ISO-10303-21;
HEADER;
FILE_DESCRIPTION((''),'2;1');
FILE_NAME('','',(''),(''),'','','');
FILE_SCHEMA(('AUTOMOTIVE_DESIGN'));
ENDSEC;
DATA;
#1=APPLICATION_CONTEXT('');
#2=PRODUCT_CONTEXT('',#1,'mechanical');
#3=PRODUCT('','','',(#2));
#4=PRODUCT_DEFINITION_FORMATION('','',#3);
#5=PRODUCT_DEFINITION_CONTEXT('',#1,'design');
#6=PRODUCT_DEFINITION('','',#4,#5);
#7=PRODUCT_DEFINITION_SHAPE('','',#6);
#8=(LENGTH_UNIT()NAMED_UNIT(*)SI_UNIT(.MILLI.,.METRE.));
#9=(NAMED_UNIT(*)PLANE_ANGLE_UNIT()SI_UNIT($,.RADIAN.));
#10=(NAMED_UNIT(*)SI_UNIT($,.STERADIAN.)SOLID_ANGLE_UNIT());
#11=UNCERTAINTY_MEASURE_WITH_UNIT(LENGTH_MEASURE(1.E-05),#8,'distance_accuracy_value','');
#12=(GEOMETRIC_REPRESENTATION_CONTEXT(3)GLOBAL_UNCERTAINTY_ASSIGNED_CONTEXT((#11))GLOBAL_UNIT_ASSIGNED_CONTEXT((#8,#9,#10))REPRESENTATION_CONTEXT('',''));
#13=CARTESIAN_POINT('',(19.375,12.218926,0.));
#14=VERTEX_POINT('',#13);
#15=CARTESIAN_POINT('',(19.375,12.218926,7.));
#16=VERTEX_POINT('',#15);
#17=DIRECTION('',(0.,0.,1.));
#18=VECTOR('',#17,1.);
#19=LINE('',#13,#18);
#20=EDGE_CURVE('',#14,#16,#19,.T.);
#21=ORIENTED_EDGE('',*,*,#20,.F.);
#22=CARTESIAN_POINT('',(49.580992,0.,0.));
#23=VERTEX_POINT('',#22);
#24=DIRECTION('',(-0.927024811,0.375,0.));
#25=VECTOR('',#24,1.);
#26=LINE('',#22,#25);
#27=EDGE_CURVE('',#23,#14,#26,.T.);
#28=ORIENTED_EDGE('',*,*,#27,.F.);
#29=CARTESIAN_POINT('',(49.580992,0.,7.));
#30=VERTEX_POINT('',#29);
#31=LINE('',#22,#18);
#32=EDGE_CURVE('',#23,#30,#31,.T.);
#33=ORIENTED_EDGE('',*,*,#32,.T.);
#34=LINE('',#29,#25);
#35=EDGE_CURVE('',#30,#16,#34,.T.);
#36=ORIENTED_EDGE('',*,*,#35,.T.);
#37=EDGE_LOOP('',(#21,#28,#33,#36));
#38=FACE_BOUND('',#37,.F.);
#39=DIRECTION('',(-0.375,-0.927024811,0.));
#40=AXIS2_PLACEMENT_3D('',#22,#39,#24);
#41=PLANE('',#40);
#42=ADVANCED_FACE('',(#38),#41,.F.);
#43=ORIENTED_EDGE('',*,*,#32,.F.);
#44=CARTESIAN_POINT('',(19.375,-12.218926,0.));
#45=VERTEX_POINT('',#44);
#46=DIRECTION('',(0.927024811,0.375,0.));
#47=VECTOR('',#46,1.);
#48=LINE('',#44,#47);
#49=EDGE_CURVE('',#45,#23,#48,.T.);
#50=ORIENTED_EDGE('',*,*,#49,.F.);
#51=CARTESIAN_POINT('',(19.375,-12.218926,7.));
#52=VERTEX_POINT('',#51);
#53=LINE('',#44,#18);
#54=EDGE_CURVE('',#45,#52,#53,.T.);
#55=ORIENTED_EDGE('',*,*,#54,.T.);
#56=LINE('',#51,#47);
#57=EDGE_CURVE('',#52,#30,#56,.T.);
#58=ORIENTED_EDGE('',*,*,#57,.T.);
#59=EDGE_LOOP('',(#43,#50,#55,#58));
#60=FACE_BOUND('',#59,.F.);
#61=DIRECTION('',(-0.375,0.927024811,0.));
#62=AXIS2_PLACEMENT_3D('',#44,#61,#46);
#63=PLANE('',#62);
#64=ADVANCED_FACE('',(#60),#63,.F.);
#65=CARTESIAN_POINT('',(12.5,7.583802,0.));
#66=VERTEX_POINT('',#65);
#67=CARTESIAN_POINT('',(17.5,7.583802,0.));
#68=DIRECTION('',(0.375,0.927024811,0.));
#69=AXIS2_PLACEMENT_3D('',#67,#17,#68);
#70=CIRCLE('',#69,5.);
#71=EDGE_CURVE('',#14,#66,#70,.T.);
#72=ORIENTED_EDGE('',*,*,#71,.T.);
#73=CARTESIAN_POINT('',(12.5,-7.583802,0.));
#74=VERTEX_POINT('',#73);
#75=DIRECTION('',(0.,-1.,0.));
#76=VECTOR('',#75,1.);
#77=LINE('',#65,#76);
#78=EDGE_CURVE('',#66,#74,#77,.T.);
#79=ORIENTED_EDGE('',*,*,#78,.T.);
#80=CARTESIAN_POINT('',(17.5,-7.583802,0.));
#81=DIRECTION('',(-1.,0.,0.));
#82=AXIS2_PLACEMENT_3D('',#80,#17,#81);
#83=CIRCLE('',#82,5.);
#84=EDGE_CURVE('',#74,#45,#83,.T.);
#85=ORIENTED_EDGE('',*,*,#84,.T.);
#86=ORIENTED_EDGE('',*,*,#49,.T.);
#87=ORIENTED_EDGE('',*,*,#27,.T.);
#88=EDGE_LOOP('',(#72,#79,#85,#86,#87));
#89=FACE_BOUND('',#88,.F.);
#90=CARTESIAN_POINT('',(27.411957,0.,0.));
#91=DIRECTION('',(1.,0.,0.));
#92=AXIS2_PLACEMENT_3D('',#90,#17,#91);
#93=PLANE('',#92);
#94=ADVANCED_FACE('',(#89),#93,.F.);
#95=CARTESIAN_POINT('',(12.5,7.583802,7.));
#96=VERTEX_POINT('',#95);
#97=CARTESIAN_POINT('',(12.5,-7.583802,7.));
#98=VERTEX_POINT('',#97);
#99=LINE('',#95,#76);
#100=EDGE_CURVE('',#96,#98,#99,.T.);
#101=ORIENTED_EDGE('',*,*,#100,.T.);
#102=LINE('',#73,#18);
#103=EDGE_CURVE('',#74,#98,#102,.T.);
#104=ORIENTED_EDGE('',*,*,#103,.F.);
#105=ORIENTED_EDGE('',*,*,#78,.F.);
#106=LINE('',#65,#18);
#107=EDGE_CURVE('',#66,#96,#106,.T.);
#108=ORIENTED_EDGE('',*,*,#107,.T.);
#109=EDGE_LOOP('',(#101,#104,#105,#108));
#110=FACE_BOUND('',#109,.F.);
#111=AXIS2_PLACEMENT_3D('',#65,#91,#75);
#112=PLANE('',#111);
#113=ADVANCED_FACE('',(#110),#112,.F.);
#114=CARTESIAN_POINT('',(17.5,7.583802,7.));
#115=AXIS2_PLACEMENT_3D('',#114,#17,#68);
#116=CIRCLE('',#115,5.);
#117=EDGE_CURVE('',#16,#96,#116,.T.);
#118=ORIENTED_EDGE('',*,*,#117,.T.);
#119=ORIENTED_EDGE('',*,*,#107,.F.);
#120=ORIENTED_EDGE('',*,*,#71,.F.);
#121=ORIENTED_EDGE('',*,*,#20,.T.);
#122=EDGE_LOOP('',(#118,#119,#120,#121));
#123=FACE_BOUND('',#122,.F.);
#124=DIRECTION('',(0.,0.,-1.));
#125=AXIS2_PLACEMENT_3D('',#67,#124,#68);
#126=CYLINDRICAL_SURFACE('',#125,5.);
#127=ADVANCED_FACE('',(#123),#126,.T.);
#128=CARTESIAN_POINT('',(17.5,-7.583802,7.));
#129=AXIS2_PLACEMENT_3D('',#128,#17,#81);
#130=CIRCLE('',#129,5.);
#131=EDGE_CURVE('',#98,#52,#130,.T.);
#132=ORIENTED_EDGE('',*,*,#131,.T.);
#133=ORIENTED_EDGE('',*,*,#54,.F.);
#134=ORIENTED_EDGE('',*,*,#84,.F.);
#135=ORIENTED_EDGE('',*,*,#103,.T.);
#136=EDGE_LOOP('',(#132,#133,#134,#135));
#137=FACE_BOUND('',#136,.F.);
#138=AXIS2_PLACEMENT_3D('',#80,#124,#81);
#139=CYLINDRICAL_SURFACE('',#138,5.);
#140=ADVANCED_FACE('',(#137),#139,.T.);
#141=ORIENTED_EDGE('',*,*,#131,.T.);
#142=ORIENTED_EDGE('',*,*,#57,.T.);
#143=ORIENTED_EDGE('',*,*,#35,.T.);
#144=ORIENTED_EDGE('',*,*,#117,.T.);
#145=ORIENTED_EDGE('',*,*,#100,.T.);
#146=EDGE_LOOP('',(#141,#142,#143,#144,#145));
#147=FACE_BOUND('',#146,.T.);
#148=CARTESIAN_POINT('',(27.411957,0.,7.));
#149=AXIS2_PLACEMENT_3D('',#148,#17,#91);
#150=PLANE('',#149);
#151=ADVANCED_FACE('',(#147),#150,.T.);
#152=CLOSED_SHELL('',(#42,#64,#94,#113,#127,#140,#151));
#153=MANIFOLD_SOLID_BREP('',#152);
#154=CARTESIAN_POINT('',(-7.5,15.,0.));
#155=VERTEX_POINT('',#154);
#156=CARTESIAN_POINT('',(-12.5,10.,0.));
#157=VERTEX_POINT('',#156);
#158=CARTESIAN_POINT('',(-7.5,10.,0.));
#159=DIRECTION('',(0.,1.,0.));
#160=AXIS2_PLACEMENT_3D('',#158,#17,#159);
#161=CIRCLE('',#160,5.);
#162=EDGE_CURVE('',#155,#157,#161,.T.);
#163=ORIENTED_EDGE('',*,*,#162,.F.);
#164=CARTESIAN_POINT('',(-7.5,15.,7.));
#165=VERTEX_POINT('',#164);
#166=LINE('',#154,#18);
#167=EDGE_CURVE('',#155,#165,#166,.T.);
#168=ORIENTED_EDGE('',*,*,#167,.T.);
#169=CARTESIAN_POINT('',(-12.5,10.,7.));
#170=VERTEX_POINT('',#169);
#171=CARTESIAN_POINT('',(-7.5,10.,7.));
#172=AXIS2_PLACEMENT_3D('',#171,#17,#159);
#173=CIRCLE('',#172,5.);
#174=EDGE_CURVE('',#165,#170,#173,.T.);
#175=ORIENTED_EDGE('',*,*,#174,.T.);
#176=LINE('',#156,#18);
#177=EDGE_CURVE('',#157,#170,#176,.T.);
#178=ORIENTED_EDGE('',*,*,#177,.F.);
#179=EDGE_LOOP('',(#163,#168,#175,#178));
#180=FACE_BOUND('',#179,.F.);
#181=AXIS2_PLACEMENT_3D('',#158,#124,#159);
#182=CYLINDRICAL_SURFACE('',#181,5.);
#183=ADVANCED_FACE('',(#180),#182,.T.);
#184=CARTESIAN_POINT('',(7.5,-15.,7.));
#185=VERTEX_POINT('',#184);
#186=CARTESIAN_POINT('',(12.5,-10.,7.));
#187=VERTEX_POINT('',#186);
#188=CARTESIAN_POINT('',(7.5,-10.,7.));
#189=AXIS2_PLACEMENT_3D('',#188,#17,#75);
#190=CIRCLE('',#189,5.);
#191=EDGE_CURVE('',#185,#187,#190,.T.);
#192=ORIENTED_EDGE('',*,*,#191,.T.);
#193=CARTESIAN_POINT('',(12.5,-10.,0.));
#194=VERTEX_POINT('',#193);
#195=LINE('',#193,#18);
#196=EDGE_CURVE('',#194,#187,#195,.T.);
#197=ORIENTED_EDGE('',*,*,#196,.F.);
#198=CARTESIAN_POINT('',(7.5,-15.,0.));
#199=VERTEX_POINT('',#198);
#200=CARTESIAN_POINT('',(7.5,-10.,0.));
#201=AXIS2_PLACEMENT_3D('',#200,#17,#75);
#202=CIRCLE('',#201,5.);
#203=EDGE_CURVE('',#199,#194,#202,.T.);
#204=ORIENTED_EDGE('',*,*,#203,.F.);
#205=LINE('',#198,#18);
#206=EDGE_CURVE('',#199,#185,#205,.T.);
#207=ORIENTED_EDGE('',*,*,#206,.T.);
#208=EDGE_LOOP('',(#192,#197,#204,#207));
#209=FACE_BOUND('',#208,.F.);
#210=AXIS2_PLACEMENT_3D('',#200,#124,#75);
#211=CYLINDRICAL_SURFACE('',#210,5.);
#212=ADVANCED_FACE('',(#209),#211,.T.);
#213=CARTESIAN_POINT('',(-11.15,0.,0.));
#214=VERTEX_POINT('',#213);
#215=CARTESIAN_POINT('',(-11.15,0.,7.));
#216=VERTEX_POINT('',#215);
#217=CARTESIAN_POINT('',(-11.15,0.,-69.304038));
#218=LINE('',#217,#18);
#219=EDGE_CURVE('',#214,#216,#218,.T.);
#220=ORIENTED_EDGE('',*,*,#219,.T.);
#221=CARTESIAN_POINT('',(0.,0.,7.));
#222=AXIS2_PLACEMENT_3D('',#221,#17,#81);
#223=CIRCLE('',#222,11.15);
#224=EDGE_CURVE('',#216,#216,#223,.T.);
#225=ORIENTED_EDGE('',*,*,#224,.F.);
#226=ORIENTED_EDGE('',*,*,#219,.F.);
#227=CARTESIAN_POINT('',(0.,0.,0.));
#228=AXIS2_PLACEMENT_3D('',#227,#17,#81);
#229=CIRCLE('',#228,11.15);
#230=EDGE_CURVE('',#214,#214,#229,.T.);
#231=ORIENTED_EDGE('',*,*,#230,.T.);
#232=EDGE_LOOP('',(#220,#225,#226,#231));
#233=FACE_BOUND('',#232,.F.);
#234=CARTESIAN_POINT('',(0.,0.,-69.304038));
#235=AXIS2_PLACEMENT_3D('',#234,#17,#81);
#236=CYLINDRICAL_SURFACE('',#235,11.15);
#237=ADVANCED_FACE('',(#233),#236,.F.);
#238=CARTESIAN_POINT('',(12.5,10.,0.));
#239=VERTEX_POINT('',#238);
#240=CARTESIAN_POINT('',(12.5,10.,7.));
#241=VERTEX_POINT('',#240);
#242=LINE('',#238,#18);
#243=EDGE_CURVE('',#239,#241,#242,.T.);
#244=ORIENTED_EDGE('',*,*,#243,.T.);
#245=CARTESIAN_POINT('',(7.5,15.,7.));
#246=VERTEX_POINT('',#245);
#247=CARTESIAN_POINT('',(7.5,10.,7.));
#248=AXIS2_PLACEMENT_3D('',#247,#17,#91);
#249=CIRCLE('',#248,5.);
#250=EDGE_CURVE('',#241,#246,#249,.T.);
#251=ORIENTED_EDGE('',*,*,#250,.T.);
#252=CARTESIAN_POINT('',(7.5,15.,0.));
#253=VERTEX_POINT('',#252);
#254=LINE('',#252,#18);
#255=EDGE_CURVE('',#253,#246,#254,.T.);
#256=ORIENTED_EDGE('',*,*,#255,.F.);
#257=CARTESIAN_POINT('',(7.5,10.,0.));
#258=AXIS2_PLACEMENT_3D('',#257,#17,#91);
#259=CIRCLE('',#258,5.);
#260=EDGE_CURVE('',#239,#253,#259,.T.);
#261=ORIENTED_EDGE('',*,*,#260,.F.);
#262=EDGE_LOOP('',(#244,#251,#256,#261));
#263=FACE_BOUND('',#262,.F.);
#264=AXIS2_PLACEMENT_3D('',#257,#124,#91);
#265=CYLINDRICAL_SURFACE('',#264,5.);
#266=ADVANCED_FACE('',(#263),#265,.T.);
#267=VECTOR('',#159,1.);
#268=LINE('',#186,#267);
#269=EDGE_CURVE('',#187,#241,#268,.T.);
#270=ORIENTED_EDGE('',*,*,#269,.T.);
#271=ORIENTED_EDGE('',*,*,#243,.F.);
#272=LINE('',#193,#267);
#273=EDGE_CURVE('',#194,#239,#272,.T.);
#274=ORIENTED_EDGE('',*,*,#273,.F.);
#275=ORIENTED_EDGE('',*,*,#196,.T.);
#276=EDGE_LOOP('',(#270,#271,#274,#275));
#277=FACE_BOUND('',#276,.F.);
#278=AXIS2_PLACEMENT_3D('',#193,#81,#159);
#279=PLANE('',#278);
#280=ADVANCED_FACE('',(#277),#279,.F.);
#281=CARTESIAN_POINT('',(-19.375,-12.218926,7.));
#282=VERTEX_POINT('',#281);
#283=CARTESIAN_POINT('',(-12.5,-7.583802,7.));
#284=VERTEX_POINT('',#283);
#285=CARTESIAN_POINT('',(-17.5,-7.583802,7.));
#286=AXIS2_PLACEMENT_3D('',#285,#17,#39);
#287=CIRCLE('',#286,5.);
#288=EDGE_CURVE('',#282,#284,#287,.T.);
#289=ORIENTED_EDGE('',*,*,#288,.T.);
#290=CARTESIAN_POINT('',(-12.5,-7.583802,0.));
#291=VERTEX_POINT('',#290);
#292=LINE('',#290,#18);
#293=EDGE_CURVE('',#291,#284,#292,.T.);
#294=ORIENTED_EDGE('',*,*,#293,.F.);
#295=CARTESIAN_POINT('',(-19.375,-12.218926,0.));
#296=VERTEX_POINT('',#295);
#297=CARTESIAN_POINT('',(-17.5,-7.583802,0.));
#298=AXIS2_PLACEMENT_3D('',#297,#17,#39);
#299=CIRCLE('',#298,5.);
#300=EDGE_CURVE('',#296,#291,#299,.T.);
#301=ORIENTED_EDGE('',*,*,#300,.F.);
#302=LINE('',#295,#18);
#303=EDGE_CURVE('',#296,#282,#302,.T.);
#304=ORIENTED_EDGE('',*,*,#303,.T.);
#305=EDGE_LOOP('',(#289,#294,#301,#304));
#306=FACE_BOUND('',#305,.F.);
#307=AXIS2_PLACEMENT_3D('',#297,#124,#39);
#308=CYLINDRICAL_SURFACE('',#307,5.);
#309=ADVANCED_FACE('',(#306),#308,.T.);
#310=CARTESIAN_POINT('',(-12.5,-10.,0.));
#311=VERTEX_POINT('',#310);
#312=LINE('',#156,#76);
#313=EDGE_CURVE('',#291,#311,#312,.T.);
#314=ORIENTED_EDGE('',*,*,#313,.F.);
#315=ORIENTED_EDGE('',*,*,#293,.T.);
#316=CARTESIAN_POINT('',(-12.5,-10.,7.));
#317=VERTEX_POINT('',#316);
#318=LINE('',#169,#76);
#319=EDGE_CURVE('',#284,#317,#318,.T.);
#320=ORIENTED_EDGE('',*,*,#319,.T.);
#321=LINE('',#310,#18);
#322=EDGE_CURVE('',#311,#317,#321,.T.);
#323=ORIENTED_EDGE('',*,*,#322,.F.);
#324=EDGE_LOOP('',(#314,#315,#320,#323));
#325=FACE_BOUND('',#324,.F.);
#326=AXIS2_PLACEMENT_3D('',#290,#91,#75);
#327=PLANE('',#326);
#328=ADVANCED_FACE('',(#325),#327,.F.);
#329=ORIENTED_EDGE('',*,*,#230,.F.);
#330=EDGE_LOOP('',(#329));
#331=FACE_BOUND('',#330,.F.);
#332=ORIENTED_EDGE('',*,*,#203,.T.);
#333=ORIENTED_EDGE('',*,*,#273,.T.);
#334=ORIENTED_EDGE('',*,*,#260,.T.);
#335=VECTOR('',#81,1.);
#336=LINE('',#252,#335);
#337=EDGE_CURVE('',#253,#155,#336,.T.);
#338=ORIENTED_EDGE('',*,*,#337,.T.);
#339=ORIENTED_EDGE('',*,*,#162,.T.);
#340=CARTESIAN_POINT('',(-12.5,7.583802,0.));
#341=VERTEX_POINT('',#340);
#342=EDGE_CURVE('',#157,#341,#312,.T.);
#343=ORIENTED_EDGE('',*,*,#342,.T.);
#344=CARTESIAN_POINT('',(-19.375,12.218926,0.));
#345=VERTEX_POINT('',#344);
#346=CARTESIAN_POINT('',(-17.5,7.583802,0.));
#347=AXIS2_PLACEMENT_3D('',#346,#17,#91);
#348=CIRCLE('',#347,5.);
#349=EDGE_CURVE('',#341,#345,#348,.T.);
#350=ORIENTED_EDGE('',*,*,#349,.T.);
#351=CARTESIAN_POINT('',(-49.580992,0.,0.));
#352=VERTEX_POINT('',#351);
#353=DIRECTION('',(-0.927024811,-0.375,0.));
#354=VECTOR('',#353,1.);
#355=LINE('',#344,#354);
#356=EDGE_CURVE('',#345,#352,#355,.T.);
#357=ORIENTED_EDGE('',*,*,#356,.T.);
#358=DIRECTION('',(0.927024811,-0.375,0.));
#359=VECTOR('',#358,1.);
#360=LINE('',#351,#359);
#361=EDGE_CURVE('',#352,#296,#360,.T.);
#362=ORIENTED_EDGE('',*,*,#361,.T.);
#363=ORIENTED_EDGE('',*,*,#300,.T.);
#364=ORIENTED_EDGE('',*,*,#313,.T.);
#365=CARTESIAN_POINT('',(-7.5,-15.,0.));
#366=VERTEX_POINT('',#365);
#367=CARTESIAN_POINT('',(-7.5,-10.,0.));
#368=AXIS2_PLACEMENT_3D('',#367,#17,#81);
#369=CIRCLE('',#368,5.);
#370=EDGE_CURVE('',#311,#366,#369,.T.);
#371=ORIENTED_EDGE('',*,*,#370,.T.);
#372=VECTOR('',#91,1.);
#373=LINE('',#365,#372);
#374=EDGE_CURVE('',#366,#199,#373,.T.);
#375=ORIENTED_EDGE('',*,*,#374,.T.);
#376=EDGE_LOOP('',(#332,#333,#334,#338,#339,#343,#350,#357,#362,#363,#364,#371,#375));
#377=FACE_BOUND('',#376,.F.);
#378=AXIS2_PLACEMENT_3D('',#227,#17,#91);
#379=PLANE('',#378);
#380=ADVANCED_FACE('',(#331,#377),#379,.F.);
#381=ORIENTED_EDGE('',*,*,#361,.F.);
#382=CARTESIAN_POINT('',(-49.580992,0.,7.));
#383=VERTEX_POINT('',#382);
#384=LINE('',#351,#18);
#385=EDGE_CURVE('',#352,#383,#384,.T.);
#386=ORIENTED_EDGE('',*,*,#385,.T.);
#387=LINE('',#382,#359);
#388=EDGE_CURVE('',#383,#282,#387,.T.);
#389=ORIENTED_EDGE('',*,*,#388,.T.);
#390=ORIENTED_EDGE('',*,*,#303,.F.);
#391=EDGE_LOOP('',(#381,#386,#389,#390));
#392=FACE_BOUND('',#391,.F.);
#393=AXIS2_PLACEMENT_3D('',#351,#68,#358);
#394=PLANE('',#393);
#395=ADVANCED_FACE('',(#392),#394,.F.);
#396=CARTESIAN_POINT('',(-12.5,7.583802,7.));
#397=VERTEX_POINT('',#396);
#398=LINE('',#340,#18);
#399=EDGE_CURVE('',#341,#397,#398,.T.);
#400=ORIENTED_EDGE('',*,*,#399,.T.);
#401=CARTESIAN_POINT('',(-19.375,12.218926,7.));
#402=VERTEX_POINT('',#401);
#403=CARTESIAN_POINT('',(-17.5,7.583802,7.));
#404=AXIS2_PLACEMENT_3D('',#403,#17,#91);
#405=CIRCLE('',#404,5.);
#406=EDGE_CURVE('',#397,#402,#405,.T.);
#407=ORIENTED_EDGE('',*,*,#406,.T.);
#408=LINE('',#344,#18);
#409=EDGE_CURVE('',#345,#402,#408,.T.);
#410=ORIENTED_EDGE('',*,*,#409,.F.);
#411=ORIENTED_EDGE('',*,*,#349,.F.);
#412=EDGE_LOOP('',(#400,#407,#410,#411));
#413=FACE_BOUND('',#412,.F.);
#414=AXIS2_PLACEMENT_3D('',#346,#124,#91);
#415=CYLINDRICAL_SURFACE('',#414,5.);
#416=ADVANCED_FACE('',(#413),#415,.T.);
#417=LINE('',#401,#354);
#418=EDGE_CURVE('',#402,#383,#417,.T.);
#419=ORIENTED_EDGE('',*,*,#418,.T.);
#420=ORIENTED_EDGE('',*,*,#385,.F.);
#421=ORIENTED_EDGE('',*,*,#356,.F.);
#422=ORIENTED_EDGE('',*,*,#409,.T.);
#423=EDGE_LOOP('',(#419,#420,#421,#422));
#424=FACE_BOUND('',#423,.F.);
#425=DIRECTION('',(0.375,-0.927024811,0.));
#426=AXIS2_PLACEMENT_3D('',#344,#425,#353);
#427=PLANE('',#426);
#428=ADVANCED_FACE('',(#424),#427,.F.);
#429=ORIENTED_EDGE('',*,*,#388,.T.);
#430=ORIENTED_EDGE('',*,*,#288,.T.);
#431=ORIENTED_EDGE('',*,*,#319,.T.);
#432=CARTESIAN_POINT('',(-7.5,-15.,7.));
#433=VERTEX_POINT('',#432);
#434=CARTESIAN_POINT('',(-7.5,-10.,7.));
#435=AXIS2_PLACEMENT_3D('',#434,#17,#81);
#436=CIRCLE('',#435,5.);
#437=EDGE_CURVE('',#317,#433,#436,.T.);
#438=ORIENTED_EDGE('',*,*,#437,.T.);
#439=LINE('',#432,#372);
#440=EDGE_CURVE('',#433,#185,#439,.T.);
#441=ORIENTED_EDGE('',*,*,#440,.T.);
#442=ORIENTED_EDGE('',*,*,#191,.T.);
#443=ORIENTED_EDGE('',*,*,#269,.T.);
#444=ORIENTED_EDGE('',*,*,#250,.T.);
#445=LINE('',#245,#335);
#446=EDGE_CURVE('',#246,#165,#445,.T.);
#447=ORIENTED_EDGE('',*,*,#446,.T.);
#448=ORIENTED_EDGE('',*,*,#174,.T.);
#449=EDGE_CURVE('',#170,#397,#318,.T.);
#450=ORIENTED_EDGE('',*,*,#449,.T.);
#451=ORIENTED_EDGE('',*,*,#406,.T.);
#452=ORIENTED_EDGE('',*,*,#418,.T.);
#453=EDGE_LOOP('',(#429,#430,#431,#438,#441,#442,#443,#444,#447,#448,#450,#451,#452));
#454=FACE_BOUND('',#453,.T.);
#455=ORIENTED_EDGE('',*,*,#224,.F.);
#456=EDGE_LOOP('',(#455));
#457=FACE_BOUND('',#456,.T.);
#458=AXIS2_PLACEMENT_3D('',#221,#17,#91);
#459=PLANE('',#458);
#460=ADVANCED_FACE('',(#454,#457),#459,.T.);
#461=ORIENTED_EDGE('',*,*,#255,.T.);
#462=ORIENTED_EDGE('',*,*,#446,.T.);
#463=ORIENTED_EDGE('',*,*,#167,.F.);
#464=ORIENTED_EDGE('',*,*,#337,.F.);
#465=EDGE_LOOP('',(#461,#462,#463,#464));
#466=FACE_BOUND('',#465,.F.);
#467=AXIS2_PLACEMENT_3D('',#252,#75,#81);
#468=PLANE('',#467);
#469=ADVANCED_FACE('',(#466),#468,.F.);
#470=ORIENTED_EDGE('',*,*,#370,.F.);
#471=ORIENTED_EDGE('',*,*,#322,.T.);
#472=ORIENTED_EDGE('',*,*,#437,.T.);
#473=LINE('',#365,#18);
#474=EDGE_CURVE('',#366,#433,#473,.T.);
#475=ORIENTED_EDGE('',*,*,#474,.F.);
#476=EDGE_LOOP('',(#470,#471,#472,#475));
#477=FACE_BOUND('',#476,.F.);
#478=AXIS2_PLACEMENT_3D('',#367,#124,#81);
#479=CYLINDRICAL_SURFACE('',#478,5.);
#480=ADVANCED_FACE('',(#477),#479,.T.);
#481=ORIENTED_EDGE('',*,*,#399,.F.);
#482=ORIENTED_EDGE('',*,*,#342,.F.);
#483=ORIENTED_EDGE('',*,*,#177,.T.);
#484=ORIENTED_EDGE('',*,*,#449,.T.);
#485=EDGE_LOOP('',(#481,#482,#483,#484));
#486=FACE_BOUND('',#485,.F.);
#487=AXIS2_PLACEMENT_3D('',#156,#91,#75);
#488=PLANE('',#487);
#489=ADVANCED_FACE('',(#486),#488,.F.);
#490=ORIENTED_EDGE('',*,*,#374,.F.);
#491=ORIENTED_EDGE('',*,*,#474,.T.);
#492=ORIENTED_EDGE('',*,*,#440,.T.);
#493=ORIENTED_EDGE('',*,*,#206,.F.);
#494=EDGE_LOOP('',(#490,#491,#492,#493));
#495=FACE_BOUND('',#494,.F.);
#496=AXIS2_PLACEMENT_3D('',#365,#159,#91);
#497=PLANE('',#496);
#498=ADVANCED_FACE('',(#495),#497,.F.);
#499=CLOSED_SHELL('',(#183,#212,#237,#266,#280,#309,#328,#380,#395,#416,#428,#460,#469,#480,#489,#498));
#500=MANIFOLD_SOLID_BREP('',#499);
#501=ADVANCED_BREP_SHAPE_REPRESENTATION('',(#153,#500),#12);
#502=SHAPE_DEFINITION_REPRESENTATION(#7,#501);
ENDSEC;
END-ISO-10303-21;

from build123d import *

# Parameters (mm, degrees)
F3_DEPTH = 7
F4_D     = 22.3


with BuildPart() as f3:
    # F1 (on Top) → F3 (new body)
    with BuildSketch(Plane.XY):
        with BuildLine():
            ThreePointArc((12.5, 10), (11.0355339059, 13.5355339059), (7.5, 15))
            Line((7.5, 15), (-7.5, 15))
            ThreePointArc((-7.5, 15), (-11.0355339059, 13.5355339059), (-12.5, 10))
            Line((-12.5, 10), (-12.5, 7.5838015129))
            Line((-12.5, 7.5838015129), (-12.5, -7.5838015129))
            Line((-12.5, -7.5838015129), (-12.5, -10))
            ThreePointArc((-12.5, -10), (-11.0355339059, -13.5355339059), (-7.5, -15))
            Line((-7.5, -15), (7.5, -15))
            ThreePointArc((7.5, -15), (11.0355339059, -13.5355339059), (12.5, -10))
            Line((12.5, -10), (12.5, 10))
        make_face()
        with BuildLine():
            Line((-12.5, -7.5838015129), (-12.5, 7.5838015129))
            ThreePointArc((-12.5, 7.5838015129), (-14.7049150281, 11.7295825008), (-19.375, 12.2189255673))
            Line((-19.375, 12.2189255673), (-49.5809924355, 0))
            Line((-49.5809924355, 0), (-19.375, -12.2189255673))
            ThreePointArc((-19.375, -12.2189255673), (-14.7049150281, -11.7295825008), (-12.5, -7.5838015129))
        make_face()
    extrude(amount=F3_DEPTH)

    # F4 (through all)
    with Locations(Plane(origin=(0, 0, 0), x_dir=(1, 0, 0), z_dir=(0, 0, -1))):
        with Locations((0, 0)):
            Hole(F4_D / 2)


with BuildPart() as f3b:
    # F2 (on Top) → F3, piece 2 (new body)
    with BuildSketch(Plane.XY):
        with BuildLine():
            Line((12.5, 7.5838015129), (12.5, 0))
            Line((12.5, 0), (12.5, -7.5838015129))
            ThreePointArc((12.5, -7.5838015129), (14.7049150281, -11.7295825008), (19.375, -12.2189255673))
            Line((19.375, -12.2189255673), (49.5809924355, 0))
            Line((49.5809924355, 0), (19.375, 12.2189255673))
            ThreePointArc((19.375, 12.2189255673), (14.7049150281, 11.7295825008), (12.5, 7.5838015129))
        make_face()
    extrude(amount=F3_DEPTH)


solid = Compound([f3.part, f3b.part])
